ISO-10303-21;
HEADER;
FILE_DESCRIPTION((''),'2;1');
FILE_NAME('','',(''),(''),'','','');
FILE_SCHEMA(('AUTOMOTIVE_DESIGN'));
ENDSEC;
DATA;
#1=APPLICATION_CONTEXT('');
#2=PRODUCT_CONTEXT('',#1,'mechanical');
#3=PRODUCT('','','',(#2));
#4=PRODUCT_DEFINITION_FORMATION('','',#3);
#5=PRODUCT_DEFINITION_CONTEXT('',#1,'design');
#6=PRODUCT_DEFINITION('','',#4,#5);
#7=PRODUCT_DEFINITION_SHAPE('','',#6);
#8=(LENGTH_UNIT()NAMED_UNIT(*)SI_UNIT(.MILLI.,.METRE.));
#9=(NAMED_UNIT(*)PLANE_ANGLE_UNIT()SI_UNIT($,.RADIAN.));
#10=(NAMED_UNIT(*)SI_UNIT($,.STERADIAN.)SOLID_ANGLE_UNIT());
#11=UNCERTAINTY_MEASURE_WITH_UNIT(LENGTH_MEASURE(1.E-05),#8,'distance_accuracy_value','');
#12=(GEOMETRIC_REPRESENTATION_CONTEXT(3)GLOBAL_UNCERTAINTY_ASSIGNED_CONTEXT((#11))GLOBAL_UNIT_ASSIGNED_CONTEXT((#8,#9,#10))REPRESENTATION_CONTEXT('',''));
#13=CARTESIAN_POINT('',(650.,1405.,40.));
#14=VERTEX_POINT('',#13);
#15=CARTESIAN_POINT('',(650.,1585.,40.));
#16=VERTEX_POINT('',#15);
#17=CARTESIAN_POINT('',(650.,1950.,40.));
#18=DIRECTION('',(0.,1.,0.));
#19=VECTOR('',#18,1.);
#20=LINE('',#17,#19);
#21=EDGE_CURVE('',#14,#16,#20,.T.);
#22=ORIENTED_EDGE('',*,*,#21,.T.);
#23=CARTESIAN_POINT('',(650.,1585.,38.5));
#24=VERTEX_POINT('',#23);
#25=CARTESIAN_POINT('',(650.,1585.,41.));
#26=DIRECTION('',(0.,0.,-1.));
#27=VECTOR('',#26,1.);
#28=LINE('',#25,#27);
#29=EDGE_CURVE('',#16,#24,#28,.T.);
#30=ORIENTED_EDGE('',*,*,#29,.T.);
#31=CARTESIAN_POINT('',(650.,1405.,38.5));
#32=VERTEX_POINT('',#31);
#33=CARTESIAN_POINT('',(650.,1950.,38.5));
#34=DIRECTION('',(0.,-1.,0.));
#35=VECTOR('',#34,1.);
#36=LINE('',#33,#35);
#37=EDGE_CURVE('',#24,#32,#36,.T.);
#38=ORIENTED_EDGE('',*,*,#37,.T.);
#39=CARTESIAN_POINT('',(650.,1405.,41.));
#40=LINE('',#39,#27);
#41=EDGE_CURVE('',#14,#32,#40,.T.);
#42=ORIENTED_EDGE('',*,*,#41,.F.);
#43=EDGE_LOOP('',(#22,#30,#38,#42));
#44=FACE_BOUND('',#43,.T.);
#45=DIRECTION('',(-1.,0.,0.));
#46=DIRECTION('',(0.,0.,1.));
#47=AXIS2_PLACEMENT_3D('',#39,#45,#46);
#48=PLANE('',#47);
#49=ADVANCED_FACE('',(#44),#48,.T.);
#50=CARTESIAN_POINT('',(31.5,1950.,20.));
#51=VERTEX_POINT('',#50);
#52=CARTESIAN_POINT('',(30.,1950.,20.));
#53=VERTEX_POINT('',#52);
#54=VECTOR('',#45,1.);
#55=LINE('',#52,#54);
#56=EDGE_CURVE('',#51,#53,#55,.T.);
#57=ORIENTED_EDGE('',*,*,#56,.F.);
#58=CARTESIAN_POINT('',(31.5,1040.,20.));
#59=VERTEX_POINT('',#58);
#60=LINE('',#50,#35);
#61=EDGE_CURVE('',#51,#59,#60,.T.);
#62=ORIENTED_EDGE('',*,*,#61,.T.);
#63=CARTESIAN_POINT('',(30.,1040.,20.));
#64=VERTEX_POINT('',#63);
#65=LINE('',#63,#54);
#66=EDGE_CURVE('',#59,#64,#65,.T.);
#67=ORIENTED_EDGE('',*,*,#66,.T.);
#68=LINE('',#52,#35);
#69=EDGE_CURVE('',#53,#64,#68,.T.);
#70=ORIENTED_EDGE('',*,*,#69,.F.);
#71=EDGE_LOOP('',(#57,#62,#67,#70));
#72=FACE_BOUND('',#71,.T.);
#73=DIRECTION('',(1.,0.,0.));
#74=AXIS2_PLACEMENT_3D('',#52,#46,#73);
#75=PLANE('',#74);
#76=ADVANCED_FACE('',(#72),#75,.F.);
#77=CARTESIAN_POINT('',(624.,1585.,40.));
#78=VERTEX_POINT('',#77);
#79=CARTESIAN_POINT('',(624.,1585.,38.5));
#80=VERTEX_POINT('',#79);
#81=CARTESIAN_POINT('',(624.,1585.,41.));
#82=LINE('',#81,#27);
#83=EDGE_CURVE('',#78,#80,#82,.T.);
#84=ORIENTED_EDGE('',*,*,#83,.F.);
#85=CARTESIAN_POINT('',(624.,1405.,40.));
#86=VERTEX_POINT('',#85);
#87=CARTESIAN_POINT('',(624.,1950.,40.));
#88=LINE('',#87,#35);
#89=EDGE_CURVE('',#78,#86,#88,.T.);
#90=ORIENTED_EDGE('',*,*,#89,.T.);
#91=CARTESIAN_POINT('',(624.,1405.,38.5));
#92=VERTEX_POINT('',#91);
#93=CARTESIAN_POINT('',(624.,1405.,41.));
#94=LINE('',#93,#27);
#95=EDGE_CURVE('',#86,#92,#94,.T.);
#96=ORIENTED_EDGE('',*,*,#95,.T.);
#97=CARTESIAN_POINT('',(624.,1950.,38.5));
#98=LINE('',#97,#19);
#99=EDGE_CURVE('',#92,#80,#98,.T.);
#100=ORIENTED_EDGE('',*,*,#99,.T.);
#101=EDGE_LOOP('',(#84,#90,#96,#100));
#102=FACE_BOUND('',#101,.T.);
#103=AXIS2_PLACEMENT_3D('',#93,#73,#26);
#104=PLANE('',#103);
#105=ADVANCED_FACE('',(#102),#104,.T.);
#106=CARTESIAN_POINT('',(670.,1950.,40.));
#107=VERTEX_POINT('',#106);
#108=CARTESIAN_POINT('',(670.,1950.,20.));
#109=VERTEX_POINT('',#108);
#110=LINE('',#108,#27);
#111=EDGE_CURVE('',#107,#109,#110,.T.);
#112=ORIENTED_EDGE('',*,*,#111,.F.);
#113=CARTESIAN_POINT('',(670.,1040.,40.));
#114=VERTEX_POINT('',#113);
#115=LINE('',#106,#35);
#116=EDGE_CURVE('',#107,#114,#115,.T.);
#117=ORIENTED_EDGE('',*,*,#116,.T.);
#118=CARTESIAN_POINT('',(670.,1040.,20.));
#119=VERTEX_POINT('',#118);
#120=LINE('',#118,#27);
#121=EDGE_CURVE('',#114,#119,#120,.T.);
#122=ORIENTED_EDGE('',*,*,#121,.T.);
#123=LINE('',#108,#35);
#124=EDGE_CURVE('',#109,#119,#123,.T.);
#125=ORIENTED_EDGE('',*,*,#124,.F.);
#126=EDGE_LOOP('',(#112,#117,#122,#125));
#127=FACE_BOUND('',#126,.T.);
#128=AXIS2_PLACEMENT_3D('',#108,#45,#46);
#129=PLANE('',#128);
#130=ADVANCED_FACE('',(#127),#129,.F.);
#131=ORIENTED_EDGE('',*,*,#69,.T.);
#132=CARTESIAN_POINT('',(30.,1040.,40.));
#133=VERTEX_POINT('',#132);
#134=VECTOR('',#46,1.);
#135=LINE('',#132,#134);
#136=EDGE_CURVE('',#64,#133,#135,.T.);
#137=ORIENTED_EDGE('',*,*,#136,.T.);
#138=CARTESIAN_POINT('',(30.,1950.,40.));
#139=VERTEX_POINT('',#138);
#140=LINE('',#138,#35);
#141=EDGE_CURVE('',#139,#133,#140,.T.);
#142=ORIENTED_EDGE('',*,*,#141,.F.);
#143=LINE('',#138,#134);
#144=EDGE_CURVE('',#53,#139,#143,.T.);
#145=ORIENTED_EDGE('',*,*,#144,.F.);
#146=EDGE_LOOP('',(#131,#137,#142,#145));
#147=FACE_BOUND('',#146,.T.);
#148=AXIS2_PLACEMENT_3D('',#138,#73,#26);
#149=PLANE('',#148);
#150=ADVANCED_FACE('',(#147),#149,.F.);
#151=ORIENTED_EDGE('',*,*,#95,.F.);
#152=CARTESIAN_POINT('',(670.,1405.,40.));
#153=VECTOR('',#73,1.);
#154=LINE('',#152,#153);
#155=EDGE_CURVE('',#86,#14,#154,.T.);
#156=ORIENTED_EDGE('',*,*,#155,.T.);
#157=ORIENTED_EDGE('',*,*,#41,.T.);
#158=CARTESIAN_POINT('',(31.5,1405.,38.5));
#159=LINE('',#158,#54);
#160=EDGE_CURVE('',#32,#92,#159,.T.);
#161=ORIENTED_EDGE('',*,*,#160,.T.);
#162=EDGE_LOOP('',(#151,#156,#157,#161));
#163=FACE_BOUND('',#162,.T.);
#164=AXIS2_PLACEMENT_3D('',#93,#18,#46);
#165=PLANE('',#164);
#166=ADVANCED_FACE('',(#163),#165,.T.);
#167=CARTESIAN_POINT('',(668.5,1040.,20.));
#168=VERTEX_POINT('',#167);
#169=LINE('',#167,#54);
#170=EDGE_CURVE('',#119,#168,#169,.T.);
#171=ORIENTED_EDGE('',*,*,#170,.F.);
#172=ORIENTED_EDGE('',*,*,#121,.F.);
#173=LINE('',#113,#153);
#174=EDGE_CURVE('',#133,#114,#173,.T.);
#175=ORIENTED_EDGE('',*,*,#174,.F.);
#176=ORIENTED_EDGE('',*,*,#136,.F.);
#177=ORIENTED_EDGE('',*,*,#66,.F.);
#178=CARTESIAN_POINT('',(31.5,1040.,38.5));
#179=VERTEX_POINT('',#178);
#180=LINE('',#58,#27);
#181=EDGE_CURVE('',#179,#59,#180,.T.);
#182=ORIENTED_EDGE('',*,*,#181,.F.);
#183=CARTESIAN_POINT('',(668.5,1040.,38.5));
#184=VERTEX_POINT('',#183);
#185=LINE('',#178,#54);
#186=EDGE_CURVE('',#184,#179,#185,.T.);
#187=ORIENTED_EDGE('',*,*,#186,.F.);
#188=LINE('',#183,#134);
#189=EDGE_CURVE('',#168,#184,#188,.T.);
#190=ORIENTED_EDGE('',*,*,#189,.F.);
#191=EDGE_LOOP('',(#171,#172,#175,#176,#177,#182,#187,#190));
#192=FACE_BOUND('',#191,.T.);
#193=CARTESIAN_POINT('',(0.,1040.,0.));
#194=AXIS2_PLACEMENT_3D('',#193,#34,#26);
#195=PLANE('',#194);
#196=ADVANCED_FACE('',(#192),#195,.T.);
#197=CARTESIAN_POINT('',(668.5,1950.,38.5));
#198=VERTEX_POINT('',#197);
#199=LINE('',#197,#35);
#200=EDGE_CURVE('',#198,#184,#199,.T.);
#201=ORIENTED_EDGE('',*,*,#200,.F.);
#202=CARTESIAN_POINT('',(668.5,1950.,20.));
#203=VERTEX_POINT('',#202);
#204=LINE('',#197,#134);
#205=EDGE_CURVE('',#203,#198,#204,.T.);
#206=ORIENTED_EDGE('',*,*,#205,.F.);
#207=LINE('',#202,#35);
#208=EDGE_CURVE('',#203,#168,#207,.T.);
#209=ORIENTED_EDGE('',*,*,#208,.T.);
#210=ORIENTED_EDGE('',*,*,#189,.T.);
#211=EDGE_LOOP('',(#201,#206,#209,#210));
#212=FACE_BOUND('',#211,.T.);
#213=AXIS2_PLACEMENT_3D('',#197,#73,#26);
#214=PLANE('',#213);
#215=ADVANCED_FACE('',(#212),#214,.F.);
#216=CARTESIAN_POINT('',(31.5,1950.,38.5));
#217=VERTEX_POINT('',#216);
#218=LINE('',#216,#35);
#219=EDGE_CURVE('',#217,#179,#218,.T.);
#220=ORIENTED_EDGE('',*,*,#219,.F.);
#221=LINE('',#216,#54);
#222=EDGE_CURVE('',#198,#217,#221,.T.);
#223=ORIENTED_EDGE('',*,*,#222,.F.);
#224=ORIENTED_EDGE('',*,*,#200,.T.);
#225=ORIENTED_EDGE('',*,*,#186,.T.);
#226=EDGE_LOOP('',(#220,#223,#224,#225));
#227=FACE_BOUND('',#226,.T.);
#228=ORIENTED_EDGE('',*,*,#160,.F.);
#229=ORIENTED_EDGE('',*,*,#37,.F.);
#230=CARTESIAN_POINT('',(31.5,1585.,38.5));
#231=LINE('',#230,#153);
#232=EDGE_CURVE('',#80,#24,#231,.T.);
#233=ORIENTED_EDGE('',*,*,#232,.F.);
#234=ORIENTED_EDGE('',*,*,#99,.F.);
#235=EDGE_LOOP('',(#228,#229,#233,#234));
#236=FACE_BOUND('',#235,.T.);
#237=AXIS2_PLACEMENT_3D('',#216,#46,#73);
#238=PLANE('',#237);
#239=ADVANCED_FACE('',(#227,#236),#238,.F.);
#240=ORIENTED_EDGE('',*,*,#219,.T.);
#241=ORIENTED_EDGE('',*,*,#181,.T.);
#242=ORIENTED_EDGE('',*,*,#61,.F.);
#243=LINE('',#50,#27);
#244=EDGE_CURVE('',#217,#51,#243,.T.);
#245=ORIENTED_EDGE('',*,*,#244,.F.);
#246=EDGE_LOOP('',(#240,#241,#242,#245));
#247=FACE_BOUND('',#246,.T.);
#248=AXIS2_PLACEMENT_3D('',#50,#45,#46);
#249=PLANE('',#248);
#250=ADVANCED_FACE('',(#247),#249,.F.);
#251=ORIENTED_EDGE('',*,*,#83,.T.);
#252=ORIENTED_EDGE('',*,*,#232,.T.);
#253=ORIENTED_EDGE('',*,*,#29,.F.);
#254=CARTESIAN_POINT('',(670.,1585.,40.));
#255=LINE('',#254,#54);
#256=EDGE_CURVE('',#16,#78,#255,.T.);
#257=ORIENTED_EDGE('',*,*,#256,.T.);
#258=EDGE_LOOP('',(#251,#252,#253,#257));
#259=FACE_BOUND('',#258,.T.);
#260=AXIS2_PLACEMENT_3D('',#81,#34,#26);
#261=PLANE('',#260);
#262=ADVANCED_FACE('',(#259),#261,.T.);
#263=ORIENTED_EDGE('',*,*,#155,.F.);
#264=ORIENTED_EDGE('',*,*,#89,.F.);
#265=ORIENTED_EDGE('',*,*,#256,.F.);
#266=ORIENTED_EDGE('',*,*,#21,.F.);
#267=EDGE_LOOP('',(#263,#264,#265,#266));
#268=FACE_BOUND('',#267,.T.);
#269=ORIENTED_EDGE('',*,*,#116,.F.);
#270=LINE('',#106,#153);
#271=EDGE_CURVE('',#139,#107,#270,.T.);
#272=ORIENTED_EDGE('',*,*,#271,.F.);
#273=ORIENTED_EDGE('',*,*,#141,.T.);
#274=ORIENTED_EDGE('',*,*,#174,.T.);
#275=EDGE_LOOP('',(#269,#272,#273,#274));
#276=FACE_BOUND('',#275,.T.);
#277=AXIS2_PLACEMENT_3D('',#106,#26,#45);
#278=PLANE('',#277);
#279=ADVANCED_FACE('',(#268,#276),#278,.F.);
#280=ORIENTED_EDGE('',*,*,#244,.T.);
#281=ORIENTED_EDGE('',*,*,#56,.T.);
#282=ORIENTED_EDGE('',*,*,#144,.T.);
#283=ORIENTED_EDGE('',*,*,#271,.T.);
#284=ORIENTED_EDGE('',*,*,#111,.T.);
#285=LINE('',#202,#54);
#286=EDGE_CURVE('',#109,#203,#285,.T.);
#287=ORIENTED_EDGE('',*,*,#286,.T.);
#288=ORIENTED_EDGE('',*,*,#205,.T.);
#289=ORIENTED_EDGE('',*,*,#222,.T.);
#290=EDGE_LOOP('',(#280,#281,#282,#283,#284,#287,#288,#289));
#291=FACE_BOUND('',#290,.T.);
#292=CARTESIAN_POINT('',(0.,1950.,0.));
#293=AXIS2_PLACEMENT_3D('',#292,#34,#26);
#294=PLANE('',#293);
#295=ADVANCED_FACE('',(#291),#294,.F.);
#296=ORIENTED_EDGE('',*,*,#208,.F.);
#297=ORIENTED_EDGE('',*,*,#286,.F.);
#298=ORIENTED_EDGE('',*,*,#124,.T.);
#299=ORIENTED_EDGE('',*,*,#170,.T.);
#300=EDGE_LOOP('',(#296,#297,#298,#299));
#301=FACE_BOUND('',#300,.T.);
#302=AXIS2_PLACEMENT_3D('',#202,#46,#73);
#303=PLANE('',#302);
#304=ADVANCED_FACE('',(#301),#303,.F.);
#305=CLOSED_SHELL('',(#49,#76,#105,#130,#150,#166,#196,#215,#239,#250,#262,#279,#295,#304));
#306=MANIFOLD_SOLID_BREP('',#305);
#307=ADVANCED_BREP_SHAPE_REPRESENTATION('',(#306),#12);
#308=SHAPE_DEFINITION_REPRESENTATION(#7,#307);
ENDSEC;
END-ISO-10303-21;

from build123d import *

# Parameters (mm, degrees)
PACK_SARJOR_KAPISI_KAPAK_1_START = 1040
PACK_SARJOR_KAPISI_KAPAK_1_DEPTH = 910
PACK_SARJOR_KAPISI_KAPAK_2_START = 27
SKETCH2_W                        = 26
SKETCH2_H                        = 180
PACK_SARJOR_KAPISI_KAPAK_2_DEPTH = 14


with BuildPart() as part:
    # Sketch1 → PACK_sarjor_kapisi_kapak_1 (new body)
    with BuildSketch(Plane(origin=(0, 0, 0), x_dir=(1, 0, 0), z_dir=(0, 1, 0)).offset(PACK_SARJOR_KAPISI_KAPAK_1_START)):
        Polygon((30, -40), (30, -20), (31.5, -20), (31.5, -38.5), (668.5, -38.5), (668.5, -20), (670, -20), (670, -40), align=None)
    extrude(amount=PACK_SARJOR_KAPISI_KAPAK_1_DEPTH)

    # Sketch2 → PACK_sarjor_kapisi_kapak_2 (cut)
    with BuildSketch(Plane.XY.offset(PACK_SARJOR_KAPISI_KAPAK_2_START)):
        with Locations((637, 1495)):
            Rectangle(SKETCH2_W, SKETCH2_H)
    extrude(amount=PACK_SARJOR_KAPISI_KAPAK_2_DEPTH, mode=Mode.SUBTRACT)


solid = part.part
